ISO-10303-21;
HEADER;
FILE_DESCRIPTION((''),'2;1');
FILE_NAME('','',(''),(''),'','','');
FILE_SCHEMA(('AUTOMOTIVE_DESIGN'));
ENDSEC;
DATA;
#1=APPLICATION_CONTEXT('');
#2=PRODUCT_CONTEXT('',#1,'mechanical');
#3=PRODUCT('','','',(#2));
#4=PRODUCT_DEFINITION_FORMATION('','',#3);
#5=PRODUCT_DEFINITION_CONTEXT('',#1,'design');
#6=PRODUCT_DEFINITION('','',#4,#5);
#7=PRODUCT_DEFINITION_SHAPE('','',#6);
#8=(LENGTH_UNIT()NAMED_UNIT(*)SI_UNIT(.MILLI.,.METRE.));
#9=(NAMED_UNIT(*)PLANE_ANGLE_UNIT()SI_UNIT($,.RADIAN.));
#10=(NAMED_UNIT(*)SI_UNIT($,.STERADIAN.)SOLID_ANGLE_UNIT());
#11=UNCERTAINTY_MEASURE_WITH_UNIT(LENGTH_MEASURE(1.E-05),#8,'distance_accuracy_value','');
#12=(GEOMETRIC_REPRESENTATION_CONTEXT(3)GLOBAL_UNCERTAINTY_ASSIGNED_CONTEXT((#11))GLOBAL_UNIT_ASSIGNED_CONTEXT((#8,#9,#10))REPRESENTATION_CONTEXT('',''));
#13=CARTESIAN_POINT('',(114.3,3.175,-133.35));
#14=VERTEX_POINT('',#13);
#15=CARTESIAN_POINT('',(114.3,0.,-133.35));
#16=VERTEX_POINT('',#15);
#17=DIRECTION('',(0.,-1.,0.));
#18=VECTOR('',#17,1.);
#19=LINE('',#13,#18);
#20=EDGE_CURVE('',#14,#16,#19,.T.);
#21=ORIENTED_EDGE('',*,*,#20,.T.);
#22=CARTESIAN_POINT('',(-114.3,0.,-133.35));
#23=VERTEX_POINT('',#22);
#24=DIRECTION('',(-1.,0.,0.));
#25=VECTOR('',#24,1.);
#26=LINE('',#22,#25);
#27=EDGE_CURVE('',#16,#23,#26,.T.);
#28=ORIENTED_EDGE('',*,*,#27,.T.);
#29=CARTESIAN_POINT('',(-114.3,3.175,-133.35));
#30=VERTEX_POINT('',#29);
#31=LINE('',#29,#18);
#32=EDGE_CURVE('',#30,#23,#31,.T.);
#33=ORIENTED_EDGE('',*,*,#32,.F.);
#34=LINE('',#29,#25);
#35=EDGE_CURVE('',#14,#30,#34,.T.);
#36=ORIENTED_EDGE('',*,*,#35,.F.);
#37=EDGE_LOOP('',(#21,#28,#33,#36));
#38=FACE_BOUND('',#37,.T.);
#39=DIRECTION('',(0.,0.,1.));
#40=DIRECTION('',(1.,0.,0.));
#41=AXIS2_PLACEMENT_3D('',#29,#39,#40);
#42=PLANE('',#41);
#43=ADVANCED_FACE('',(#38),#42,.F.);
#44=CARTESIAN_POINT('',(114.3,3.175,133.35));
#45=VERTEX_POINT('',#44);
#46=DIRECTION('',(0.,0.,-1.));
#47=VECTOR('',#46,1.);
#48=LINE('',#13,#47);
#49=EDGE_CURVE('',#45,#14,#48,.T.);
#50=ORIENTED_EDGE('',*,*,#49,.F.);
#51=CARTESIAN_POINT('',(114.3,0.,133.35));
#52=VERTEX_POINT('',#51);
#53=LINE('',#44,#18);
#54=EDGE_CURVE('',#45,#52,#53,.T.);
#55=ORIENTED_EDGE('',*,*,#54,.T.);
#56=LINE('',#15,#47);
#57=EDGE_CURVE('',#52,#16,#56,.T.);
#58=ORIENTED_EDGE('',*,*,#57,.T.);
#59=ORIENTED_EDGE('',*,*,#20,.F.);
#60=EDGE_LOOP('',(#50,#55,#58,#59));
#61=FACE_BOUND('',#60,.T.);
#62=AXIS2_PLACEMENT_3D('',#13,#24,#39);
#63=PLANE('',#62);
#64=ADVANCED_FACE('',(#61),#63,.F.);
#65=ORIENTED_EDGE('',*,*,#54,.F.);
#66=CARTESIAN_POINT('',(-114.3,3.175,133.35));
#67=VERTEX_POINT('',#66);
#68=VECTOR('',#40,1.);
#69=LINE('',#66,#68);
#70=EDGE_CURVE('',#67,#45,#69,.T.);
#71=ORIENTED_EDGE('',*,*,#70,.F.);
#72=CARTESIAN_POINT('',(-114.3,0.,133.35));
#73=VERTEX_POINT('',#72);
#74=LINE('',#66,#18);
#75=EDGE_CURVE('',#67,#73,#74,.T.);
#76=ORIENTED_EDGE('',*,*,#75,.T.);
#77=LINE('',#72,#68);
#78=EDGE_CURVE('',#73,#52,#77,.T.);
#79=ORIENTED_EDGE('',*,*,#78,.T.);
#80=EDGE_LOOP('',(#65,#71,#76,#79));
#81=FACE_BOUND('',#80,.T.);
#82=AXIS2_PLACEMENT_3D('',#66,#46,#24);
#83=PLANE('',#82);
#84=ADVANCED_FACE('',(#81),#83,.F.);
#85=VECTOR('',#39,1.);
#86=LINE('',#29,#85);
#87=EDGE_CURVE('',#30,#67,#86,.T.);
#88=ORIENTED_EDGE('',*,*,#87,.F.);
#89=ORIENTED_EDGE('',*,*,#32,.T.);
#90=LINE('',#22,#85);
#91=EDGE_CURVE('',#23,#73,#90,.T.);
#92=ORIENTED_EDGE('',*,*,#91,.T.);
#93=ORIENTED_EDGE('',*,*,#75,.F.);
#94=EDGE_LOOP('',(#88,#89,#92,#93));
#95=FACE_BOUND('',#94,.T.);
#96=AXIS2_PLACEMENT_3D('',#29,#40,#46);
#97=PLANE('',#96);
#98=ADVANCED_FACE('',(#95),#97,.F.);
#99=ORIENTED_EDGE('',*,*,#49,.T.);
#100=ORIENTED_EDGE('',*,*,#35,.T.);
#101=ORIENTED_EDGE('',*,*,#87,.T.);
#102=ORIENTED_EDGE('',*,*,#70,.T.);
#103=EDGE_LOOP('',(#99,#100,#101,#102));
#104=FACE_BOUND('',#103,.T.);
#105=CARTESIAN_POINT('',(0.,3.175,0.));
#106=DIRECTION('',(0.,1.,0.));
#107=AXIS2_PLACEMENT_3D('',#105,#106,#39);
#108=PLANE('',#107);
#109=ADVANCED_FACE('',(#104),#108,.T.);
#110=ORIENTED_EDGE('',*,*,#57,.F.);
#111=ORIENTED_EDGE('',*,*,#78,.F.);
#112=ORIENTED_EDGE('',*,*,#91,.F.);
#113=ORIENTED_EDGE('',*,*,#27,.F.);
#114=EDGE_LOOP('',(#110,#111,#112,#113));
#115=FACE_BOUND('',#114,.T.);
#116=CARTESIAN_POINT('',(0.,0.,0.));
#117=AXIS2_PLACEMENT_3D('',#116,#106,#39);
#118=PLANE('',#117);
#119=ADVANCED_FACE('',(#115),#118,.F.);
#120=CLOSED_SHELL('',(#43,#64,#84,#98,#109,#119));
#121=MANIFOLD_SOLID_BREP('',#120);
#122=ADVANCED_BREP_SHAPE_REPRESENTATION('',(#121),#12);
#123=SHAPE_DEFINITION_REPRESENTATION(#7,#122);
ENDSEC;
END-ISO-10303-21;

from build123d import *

# Parameters (mm, degrees)
SKETCH1_W           = 228.6
SKETCH1_H           = 266.7
BOSS_EXTRUDE1_DEPTH = 3.175


with BuildPart() as part:
    # Sketch1 → Boss-Extrude1 (new body)
    with BuildSketch(Plane(origin=(0, 0, 0), x_dir=(1, 0, 0), z_dir=(0, 1, 0))):
        Rectangle(SKETCH1_W, SKETCH1_H)
    extrude(amount=BOSS_EXTRUDE1_DEPTH)


solid = part.part
